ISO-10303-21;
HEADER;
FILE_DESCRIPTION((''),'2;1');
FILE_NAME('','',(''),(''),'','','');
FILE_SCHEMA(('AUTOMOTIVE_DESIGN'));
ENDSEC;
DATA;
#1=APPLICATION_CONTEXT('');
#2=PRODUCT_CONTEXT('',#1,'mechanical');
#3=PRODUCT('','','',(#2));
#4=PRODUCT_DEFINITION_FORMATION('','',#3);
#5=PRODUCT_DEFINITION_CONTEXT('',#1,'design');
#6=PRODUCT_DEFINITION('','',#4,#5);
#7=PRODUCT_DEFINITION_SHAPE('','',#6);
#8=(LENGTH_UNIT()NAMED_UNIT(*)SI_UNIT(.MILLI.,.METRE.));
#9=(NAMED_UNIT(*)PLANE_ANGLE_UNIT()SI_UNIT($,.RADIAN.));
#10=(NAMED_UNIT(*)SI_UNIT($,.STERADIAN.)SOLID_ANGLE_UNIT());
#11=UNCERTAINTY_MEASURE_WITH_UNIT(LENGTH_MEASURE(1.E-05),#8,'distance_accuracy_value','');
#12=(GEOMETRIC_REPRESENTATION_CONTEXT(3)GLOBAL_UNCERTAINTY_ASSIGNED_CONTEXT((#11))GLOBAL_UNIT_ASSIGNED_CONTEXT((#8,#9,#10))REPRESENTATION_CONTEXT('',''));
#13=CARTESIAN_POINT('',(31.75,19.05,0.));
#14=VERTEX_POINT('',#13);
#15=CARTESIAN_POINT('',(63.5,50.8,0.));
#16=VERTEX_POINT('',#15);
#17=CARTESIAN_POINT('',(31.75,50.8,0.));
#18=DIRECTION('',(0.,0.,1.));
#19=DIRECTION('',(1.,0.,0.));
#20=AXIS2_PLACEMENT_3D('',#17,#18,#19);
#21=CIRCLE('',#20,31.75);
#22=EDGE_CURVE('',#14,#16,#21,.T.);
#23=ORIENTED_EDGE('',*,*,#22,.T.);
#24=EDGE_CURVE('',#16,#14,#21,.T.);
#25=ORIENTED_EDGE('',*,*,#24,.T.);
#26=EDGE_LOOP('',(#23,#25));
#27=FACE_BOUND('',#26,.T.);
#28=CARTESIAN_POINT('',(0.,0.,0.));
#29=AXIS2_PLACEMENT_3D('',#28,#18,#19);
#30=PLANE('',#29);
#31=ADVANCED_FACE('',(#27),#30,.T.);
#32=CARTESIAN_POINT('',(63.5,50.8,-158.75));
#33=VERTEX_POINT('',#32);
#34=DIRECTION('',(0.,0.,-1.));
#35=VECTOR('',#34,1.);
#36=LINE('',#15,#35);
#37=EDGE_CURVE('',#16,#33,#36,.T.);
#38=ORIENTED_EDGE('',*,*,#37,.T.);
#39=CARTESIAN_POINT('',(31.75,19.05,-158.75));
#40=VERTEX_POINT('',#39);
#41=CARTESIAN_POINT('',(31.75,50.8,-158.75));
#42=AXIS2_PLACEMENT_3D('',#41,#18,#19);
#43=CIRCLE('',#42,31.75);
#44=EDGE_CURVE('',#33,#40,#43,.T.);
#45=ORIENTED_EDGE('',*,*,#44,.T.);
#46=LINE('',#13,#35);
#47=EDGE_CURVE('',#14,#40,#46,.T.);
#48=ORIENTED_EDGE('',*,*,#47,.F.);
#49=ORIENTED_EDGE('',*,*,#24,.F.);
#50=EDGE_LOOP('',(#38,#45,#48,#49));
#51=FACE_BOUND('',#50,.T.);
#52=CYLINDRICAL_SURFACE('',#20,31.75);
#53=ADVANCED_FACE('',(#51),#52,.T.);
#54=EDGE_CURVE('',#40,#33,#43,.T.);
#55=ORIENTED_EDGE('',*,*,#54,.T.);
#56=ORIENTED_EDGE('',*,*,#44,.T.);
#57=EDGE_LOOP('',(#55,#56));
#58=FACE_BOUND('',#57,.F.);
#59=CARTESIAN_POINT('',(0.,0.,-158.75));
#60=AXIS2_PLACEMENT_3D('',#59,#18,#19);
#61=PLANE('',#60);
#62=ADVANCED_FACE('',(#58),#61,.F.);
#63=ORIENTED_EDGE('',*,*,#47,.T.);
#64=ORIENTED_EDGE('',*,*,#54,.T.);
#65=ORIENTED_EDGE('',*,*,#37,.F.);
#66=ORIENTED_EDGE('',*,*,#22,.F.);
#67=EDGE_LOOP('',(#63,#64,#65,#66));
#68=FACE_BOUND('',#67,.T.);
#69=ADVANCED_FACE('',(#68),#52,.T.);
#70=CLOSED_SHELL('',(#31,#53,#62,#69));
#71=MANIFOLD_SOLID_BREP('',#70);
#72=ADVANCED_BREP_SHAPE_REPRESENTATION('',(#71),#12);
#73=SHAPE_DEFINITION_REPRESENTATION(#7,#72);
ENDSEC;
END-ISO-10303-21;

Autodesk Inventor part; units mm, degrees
ref_plane "YZ Plane" through (0, 0, 0) normal (1, 0, 0) x (0, 1, 0)
sketch "Sketch1" plane through (0, 0, 0) normal (0, 0, 1) x (1, 0, 0)
  line L0 (0, 19.05) -> (127, 19.05) projected
  line L1 (0, 0) -> (0, 19.05) projected
  line L2 (0, 0) -> (0, 67.3099) construction
  circle A0 centre (31.75, 50.8) radius 31.75
  dimension "d0" = 63.5
ref_plane "Work Plane1" through (0, 0, -158.75) normal (0, 0, -1) x (0, 1, 0)
ref_plane "Work Plane2" through (0, 0, -158.75) normal (0, 0, -1) x (0, 1, 0)
extrude "Extrusion1" add sketch "Sketch1" against normal up to surface (158.75 mm away)
properties part number "Intake Noodle Long"
